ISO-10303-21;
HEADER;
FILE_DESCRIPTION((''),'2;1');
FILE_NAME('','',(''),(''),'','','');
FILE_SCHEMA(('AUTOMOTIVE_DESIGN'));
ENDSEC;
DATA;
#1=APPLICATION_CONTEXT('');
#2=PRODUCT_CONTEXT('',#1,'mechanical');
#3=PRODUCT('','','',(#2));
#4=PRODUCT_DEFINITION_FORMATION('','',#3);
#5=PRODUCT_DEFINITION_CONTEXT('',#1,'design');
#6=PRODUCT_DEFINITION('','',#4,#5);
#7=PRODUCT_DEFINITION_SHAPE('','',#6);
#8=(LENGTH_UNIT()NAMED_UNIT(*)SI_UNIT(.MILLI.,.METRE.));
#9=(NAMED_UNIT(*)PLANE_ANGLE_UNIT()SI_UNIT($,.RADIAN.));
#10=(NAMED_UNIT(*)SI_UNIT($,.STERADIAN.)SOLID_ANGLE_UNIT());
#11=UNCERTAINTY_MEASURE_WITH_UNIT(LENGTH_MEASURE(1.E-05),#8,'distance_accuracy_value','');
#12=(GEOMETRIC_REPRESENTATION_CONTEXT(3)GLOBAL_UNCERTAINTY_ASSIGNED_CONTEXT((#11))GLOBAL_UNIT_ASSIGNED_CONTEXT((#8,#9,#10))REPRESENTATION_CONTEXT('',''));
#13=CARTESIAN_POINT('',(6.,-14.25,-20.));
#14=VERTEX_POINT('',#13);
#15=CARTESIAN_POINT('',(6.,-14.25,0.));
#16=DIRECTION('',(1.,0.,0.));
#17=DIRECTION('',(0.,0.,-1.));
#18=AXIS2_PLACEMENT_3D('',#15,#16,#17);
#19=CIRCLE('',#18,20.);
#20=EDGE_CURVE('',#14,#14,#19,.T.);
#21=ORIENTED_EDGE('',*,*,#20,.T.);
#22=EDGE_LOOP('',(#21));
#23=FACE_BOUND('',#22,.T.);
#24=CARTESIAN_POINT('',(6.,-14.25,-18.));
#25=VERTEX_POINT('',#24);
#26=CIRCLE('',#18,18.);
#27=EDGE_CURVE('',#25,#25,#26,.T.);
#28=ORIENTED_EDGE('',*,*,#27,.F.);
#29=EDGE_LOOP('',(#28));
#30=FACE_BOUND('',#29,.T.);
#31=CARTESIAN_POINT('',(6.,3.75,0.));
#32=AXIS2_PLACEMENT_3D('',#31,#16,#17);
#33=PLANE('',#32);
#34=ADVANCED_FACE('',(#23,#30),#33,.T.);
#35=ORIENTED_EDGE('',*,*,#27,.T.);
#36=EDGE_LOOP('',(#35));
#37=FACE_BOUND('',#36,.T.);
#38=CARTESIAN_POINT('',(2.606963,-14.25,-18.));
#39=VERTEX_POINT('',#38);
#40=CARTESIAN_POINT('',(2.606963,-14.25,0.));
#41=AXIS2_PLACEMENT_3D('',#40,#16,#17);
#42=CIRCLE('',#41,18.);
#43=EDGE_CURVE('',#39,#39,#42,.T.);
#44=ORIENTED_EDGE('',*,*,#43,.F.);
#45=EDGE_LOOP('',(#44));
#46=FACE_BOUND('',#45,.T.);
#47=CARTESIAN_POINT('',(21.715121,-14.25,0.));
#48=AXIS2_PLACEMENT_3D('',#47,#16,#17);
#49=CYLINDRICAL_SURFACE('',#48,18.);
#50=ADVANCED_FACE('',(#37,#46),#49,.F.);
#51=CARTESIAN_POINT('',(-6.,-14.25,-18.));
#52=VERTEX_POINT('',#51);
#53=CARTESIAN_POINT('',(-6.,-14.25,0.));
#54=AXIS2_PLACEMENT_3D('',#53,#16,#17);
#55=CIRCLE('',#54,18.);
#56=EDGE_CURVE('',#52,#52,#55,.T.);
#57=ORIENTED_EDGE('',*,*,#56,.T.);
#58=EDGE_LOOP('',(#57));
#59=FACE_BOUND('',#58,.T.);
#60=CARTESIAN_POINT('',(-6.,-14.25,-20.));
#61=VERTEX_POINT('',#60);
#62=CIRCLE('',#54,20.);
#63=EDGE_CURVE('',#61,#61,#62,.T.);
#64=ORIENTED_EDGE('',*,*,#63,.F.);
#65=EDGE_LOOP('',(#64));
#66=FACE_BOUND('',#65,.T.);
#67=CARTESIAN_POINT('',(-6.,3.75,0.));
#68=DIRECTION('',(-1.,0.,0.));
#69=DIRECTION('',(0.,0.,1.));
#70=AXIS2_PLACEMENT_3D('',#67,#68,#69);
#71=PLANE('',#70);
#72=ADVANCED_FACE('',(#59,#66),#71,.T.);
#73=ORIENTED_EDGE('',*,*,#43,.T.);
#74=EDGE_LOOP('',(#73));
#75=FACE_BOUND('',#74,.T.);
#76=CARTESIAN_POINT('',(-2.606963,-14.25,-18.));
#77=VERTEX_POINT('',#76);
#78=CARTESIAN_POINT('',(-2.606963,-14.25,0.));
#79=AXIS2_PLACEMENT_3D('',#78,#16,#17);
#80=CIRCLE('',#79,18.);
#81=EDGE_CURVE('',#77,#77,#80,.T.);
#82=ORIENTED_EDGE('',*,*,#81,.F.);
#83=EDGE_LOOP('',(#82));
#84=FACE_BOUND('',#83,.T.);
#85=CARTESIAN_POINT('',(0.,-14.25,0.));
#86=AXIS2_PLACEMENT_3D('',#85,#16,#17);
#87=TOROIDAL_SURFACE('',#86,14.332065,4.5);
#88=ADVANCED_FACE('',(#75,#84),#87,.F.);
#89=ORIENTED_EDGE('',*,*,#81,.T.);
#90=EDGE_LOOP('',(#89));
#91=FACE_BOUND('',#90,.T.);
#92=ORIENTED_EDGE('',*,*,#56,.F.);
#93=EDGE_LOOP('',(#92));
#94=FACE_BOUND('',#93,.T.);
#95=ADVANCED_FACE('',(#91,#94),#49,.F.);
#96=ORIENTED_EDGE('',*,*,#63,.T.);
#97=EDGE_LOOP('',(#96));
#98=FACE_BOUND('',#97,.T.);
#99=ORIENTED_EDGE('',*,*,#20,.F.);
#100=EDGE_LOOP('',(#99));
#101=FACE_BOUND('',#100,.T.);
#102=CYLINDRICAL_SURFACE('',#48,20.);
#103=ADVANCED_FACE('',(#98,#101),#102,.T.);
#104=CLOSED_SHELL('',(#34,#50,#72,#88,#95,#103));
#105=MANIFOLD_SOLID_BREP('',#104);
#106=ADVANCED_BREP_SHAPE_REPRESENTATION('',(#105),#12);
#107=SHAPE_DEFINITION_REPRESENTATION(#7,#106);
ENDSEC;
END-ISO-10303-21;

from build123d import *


with BuildPart() as part:
    # 草图1 → 旋转1 (revolve)
    with BuildSketch(Plane.XY):
        with BuildLine():
            Line((-6, 5.75), (6, 5.75))
            Line((6, 5.75), (6, 3.75))
            Line((6, 3.75), (2.606962772, 3.75))
            ThreePointArc((2.606962772, 3.75), (0, 4.582065281), (-2.606962772, 3.75))
            Line((-2.606962772, 3.75), (-6, 3.75))
            Line((-6, 3.75), (-6, 5.75))
        make_face()
    revolve(axis=Axis((21.715121114, -14.25, 0), (-1, 0, 0)))


solid = part.part
